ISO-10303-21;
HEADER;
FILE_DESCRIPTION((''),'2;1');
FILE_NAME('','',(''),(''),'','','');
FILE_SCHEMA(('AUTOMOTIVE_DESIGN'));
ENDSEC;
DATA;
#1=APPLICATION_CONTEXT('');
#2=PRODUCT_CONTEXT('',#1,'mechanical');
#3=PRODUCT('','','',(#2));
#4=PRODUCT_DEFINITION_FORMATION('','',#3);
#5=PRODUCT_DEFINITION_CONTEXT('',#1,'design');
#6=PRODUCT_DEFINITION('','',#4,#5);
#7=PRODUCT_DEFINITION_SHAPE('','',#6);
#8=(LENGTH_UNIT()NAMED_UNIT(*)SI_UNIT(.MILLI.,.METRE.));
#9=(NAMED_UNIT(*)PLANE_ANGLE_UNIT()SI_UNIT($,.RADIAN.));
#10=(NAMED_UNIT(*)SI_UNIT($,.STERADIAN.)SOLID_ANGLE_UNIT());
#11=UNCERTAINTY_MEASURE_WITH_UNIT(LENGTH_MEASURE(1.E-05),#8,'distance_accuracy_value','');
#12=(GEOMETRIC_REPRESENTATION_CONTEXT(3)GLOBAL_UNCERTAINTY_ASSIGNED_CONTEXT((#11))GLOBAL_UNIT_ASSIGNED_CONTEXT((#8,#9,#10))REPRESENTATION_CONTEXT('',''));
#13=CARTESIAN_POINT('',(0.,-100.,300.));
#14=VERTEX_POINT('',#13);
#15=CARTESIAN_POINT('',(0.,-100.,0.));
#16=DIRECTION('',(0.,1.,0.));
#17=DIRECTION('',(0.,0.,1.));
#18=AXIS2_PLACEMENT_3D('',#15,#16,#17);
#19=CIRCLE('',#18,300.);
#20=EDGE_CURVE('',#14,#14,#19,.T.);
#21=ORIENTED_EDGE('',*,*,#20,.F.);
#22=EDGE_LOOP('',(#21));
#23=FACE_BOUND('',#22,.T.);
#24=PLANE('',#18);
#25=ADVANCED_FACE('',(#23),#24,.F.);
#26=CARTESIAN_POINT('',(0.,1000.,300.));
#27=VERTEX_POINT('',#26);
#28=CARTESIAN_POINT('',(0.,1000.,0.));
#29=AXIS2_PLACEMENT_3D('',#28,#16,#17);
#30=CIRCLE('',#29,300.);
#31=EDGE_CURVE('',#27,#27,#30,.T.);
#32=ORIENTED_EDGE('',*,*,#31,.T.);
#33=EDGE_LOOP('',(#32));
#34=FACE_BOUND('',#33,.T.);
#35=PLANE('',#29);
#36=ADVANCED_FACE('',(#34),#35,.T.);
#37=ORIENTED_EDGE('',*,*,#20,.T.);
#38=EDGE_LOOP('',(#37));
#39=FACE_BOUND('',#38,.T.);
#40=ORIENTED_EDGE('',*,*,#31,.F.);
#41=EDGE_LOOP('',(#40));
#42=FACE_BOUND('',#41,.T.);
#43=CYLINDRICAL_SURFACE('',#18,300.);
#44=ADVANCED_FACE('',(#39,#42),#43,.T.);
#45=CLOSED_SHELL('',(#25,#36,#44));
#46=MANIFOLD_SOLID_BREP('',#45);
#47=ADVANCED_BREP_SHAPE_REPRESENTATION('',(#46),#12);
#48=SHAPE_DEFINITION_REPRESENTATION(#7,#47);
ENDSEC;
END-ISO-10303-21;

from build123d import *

# Parameters (mm, degrees)
EXTRUDE_1_DEPTH      = 1000
EXTRUDE_1_DEPTH_BACK = 100
SKETCH_2_R           = 300


with BuildPart() as part:
    # 草图2 → 凸台-拉伸1 (new, two sides: drawn at the far end of the back side and taken through both)
    with BuildSketch(Plane(origin=(0, 0, 0), x_dir=(1, 0, 0), z_dir=(0, 1, 0)).offset(-EXTRUDE_1_DEPTH_BACK)):
        with Locations(Location((0, 0, 0), (0, 0, 270))):
            Circle(SKETCH_2_R)
    extrude(amount=EXTRUDE_1_DEPTH + EXTRUDE_1_DEPTH_BACK)


solid = part.part
